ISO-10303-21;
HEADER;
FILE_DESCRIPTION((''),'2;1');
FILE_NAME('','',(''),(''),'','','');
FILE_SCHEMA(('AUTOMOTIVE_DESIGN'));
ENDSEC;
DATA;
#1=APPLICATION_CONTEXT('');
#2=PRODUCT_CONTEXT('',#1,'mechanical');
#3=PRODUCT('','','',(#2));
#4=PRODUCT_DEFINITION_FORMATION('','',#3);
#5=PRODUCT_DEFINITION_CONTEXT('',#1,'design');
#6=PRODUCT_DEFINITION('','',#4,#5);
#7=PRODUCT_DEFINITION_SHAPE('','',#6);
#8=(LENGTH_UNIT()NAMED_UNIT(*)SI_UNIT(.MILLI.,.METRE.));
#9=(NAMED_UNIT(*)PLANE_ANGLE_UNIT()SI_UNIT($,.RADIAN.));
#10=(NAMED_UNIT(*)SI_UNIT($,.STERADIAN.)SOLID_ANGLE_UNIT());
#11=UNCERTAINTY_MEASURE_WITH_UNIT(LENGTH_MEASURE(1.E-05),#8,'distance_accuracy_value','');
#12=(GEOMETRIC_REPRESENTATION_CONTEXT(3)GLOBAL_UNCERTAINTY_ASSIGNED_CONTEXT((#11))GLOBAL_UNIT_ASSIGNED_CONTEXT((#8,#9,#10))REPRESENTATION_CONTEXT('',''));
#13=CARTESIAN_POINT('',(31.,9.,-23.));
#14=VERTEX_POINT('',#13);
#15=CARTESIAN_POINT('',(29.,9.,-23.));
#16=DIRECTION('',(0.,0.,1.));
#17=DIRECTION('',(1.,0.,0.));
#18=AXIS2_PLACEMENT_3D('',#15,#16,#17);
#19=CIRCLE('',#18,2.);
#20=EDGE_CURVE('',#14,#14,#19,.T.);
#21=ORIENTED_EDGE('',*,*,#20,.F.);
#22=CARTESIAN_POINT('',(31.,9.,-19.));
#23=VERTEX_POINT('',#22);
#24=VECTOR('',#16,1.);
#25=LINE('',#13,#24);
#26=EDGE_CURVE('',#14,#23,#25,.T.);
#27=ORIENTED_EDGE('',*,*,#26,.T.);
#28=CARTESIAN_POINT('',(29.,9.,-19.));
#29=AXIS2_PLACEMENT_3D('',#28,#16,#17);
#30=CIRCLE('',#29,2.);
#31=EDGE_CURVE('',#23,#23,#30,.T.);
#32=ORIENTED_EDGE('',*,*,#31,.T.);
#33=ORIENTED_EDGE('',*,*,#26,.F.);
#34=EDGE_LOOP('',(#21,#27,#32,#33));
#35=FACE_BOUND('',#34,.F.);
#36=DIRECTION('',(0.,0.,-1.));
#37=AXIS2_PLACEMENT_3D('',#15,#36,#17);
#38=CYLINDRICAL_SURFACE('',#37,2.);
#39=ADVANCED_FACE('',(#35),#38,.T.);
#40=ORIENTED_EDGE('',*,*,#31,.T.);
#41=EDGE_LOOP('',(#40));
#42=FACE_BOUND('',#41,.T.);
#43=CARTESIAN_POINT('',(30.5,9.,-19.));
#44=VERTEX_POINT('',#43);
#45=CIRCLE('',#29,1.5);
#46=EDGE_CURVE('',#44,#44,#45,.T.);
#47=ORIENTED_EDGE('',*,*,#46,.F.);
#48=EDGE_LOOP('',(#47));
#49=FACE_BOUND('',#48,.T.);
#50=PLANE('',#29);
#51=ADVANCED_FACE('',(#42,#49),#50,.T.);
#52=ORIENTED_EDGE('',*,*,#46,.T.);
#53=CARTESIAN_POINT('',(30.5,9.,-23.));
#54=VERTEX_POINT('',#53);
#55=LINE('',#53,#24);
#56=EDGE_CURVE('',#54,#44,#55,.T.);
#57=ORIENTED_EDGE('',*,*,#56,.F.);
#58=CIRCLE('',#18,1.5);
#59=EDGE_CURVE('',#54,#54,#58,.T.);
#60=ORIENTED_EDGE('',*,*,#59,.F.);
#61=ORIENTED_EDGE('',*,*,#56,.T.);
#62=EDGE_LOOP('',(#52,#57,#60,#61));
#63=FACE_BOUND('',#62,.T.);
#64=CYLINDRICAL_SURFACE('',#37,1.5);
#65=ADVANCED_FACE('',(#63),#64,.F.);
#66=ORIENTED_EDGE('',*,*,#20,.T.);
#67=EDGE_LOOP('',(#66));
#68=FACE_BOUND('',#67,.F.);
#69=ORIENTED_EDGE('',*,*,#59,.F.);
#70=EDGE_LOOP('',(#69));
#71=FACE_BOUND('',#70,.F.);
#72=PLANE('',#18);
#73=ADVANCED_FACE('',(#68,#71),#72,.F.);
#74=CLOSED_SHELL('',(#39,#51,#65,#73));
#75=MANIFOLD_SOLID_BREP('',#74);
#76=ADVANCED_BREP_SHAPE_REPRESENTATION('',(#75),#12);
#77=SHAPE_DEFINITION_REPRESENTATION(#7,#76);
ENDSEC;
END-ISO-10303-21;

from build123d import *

# Parameters (mm, degrees)
CYLINDER007_R     = 1.5
CYLINDER007_DEPTH = 4
CYLINDER006_R     = 2
CYLINDER006_DEPTH = 4


with BuildPart() as cylinderouter003:
    # Cylinder007 → Cylinder007 (new body)
    with BuildSketch(Plane(origin=(8, -26, -23), x_dir=(1, 0, 0), z_dir=(0, 0, 1))):
        Circle(CYLINDER007_R)
    extrude(amount=CYLINDER007_DEPTH)


with BuildPart() as relaysupp002:
    # Cylinder006 → Cylinder006 (new body)
    with BuildSketch(Plane(origin=(8, -26, -23), x_dir=(1, 0, 0), z_dir=(0, 0, 1))):
        Circle(CYLINDER006_R)
    extrude(amount=CYLINDER006_DEPTH)

    # Cut004: cut CylinderOuter003
    add(cylinderouter003.part, mode=Mode.SUBTRACT)


with BuildPart() as relaysupp002_1:
    # Cut004 placement: moved
    add(relaysupp002.part.moved(Location((21, 35, 0))))


solid = relaysupp002_1.part
